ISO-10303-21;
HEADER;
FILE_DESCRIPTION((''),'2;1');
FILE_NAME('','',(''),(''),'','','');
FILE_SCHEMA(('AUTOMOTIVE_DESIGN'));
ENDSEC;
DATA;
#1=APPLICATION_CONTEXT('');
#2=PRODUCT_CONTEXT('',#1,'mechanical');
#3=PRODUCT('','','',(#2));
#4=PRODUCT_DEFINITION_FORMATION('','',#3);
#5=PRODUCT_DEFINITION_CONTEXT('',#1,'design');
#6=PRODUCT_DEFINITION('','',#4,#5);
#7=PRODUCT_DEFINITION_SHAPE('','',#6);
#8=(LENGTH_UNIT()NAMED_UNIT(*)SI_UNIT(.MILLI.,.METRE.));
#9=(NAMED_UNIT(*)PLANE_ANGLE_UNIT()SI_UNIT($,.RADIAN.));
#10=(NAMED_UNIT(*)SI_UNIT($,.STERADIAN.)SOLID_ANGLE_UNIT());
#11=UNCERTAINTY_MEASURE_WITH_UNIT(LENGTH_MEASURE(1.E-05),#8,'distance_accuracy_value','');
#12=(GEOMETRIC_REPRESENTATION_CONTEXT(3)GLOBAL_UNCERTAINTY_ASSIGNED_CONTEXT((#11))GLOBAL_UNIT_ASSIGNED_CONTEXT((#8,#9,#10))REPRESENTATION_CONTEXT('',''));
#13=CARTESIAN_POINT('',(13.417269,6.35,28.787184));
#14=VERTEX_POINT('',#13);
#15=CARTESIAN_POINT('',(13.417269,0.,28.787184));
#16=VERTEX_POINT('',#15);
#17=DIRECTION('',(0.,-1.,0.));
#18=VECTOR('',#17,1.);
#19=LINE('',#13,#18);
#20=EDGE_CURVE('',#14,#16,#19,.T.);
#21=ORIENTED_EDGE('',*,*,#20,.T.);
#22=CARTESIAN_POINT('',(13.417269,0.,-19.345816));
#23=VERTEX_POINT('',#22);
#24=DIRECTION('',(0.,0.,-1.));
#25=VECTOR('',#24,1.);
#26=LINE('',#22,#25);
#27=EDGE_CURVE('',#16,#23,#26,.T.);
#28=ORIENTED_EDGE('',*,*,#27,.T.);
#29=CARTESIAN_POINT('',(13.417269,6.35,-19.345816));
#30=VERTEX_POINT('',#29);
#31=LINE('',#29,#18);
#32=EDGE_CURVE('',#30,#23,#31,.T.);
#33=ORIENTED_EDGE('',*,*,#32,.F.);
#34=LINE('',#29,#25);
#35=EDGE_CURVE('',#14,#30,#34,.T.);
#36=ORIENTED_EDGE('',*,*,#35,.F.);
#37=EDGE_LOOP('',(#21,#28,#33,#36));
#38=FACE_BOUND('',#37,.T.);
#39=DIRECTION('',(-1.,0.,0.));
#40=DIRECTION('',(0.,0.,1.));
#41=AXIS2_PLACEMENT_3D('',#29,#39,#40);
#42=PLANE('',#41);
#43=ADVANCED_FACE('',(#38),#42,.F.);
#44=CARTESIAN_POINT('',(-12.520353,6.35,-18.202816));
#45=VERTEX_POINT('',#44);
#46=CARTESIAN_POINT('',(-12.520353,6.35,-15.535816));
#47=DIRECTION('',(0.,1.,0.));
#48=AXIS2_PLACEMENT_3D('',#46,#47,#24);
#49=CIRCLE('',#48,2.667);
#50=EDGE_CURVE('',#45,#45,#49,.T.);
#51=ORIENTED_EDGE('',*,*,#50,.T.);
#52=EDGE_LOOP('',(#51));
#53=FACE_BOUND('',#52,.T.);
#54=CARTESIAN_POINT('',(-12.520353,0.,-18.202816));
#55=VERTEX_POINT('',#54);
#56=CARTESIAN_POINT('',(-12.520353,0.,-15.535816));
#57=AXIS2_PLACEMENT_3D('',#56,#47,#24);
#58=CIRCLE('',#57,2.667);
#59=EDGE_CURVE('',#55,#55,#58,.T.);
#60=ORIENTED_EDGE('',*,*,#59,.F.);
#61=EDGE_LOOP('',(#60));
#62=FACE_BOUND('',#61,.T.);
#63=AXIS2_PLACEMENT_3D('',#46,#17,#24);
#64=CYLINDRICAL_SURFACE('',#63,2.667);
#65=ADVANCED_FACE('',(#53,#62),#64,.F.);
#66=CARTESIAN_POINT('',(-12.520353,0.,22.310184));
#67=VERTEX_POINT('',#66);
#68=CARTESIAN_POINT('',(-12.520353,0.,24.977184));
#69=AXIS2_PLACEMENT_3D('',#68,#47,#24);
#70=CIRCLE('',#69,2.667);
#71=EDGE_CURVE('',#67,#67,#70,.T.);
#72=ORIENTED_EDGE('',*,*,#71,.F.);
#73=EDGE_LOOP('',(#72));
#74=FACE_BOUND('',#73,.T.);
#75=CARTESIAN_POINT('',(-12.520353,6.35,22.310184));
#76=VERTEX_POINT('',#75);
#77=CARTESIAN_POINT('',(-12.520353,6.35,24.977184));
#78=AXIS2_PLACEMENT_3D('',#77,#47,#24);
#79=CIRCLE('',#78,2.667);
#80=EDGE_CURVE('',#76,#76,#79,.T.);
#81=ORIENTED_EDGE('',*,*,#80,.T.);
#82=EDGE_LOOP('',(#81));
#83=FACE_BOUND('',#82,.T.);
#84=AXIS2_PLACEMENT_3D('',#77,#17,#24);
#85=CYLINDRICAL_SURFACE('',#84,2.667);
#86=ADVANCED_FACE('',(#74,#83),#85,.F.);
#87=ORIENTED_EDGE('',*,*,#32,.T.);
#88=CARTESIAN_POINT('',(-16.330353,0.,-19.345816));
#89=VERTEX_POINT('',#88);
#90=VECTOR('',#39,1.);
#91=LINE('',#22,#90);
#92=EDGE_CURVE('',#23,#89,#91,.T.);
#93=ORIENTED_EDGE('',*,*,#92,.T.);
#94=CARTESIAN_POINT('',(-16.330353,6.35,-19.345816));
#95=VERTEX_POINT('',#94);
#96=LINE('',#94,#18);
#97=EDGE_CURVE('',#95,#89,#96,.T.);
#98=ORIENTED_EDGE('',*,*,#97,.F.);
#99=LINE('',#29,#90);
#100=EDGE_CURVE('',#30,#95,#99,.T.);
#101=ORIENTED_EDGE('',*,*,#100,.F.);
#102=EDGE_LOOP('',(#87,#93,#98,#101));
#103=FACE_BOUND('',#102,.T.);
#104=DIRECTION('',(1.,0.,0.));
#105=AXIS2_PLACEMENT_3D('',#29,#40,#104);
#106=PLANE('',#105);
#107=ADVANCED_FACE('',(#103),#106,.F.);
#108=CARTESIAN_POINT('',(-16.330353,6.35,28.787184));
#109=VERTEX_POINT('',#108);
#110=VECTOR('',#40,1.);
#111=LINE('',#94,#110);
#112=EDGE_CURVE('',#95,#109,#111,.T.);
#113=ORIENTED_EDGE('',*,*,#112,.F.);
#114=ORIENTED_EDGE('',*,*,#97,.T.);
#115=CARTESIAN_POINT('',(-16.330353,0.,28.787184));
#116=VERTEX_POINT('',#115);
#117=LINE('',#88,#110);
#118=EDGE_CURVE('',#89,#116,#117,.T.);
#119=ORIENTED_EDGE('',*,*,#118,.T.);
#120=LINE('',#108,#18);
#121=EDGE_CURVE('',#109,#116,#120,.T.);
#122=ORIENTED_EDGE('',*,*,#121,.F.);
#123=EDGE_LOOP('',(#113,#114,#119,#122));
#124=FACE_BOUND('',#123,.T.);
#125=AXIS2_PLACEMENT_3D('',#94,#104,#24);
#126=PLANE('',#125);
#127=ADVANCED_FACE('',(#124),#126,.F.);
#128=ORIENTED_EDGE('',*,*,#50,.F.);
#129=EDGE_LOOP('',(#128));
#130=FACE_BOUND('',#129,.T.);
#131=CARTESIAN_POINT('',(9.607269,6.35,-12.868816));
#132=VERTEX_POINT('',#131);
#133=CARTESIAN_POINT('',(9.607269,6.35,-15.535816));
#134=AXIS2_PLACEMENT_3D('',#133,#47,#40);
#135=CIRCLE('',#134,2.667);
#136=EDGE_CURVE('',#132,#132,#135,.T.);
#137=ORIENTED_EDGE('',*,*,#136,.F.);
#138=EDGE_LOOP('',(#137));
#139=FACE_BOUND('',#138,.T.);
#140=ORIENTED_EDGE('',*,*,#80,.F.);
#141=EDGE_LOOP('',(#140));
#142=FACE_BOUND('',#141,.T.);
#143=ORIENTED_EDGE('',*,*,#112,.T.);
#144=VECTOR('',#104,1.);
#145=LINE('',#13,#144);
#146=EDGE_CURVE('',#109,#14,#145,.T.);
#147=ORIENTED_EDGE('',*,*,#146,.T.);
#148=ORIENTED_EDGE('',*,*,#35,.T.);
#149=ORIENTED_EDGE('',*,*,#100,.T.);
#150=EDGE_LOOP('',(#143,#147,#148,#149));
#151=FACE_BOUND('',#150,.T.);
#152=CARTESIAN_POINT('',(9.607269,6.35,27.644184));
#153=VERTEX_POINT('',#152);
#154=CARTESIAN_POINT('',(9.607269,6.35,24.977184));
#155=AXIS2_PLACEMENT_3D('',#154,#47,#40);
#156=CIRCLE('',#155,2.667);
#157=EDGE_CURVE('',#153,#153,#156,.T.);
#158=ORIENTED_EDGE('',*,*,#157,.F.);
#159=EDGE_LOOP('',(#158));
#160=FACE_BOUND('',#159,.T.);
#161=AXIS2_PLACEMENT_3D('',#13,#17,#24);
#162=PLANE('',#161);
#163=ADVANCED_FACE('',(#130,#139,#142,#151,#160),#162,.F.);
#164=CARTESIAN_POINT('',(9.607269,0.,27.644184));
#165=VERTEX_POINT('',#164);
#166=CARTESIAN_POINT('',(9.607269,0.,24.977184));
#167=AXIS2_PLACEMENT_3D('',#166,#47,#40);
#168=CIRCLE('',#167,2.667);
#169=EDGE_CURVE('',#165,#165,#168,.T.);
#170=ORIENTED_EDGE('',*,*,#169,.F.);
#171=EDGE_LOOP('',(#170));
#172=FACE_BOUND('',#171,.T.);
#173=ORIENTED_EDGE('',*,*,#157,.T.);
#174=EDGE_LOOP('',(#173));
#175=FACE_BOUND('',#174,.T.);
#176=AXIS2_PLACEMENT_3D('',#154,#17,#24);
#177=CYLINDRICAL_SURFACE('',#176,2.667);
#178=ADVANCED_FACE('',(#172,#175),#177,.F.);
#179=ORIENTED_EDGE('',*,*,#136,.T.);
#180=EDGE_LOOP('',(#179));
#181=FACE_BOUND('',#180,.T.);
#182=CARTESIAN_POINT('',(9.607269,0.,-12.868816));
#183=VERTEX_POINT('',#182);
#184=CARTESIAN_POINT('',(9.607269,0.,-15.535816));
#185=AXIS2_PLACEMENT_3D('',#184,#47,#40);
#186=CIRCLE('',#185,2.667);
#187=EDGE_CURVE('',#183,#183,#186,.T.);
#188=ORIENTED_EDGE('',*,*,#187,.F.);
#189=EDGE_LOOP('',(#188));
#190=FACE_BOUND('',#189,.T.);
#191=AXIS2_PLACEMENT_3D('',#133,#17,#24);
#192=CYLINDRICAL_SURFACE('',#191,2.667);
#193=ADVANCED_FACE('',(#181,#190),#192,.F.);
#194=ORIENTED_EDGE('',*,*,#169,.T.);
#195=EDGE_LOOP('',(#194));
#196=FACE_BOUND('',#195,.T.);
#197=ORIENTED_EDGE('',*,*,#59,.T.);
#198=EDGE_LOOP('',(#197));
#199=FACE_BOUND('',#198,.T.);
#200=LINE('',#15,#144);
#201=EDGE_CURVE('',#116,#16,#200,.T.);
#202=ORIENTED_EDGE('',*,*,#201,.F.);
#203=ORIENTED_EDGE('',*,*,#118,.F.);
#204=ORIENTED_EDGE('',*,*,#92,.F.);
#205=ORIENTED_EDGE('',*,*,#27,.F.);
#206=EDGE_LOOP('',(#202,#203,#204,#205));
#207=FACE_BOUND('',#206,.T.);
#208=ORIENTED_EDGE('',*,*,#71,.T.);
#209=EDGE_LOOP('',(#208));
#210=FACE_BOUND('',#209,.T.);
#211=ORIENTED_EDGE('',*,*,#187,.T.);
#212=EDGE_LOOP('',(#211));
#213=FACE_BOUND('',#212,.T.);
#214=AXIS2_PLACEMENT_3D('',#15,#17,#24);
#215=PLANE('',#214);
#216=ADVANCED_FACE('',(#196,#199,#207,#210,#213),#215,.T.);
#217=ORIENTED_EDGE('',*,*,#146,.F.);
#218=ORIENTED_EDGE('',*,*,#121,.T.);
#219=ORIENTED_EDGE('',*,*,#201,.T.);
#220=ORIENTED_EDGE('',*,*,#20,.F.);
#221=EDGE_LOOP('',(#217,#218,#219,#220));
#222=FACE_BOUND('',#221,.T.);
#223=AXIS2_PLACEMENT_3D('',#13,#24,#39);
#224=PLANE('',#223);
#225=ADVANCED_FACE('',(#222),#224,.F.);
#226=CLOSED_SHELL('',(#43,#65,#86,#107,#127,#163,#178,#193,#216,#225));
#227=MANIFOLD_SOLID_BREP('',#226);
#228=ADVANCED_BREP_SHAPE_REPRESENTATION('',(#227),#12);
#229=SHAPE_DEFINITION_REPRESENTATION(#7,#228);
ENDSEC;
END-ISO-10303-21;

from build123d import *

# Parameters (mm, degrees)
SKETCH1_W           = 29.747622583
SKETCH1_H           = 48.133
SKETCH1_R           = 2.667
BOSS_EXTRUDE1_DEPTH = 6.35


with BuildPart() as part:
    # Sketch1 → Boss-Extrude1 (new body)
    with BuildSketch(Plane(origin=(0, 0, 0), x_dir=(1, 0, 0), z_dir=(0, 1, 0))):
        with Locations((-1.456542193, -4.720684125)):
            Rectangle(SKETCH1_W, SKETCH1_H)
        with Locations((9.607269098, 15.535815875)):
            Circle(SKETCH1_R, mode=Mode.SUBTRACT)
        with Locations((9.607269098, -24.977184125)):
            Circle(SKETCH1_R, mode=Mode.SUBTRACT)
        with Locations((-12.520353485, -24.977184125)):
            Circle(SKETCH1_R, mode=Mode.SUBTRACT)
        with Locations((-12.520353485, 15.535815875)):
            Circle(SKETCH1_R, mode=Mode.SUBTRACT)
    extrude(amount=BOSS_EXTRUDE1_DEPTH)


solid = part.part
